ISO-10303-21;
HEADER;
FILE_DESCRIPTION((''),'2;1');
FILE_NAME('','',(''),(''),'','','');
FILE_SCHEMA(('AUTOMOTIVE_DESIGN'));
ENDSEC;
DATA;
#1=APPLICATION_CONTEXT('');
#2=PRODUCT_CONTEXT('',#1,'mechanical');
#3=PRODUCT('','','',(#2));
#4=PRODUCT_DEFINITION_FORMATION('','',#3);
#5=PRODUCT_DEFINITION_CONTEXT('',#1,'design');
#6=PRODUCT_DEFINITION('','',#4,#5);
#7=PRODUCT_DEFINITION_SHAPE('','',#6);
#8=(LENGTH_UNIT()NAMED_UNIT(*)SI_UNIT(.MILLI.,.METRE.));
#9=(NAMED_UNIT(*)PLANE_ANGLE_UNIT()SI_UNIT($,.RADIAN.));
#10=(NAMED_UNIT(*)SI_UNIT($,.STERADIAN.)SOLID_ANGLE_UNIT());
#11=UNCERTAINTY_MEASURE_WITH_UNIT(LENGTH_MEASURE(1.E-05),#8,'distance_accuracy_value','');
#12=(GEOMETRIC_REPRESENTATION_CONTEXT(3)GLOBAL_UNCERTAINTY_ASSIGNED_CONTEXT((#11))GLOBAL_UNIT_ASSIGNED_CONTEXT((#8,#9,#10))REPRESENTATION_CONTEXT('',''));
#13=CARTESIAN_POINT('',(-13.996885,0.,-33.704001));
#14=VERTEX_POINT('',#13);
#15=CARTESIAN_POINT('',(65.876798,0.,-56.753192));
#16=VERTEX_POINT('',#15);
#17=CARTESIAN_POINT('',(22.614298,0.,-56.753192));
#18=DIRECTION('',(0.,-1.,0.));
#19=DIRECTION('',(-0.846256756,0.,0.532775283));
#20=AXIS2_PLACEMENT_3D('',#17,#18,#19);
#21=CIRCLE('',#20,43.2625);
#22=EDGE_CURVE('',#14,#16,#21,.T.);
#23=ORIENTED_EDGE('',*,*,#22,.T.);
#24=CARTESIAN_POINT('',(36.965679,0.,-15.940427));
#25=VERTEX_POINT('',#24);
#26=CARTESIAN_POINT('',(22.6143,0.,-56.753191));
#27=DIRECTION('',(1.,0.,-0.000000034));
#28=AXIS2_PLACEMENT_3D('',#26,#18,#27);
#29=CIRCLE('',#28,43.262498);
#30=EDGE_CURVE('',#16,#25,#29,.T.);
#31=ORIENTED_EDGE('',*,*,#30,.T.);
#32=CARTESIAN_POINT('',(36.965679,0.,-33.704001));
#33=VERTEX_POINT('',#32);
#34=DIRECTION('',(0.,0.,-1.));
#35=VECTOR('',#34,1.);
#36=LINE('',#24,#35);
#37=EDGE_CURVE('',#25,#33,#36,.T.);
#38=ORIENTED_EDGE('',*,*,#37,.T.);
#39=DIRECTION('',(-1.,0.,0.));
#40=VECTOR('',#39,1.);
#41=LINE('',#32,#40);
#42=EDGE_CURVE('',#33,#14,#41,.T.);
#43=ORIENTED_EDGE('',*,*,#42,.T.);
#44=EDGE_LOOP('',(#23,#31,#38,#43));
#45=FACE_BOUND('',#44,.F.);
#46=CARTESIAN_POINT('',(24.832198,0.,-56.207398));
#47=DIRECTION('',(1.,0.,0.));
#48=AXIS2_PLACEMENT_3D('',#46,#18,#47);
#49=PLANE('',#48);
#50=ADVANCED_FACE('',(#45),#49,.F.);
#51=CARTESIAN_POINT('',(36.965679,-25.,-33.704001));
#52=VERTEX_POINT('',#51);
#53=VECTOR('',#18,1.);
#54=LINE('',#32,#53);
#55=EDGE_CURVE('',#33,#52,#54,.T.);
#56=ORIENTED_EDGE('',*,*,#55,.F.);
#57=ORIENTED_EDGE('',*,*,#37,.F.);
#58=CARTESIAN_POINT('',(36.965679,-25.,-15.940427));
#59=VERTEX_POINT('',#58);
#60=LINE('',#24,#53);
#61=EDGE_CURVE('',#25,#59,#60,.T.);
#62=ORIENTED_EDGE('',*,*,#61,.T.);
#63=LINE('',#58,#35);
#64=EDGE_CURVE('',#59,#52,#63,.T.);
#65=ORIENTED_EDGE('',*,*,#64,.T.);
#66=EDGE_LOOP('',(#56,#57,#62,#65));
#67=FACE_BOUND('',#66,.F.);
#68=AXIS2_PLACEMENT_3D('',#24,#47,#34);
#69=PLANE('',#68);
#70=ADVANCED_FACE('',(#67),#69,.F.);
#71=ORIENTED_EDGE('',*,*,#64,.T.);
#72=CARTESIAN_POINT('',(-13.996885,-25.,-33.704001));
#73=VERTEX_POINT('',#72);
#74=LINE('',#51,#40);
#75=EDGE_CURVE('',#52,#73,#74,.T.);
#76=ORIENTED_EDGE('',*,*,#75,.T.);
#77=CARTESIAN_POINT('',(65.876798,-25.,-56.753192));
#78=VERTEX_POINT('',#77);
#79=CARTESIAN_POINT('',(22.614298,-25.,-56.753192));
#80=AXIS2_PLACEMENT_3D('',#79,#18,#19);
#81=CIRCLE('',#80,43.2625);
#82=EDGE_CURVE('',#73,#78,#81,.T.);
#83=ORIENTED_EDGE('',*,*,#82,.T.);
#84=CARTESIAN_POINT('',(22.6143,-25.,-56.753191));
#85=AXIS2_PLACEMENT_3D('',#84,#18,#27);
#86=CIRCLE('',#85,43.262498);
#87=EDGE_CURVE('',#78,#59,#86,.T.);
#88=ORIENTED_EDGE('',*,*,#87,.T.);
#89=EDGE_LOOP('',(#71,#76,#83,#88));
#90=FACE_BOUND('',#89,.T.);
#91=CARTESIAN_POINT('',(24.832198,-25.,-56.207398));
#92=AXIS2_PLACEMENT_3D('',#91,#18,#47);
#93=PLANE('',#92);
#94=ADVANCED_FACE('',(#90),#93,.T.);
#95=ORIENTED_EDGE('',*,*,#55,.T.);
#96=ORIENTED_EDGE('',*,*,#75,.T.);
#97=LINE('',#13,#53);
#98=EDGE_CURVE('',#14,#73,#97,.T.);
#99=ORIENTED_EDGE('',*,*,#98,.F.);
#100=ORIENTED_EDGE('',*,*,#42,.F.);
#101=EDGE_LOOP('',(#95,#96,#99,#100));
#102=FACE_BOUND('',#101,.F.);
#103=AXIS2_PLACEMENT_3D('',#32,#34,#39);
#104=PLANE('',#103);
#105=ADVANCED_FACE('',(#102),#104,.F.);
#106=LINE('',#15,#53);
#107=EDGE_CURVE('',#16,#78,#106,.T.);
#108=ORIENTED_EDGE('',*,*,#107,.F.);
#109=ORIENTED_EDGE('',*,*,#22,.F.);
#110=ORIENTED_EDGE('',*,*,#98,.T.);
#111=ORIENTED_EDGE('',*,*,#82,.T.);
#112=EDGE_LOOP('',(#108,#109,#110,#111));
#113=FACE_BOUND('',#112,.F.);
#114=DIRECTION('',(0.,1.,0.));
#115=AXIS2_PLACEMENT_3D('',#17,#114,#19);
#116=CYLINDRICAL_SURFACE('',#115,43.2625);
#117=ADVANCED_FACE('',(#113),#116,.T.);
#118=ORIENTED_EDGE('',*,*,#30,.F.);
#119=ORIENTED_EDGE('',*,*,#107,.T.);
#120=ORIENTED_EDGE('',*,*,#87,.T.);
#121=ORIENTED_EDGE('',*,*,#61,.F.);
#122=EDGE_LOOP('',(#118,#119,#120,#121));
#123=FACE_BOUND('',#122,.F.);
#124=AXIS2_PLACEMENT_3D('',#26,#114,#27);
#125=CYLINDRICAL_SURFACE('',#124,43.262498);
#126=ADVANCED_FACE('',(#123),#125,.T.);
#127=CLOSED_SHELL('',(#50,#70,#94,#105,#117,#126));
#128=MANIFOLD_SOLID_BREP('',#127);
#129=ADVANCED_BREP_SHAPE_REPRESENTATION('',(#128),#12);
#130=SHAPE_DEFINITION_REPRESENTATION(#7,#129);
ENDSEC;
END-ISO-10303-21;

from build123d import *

# Parameters (mm, degrees)
F1_DEPTH = 25


with BuildPart() as f1:
    # F0 (on Front) → F1 (new body)
    with BuildSketch(Plane.XZ):
        with BuildLine():
            ThreePointArc((65.876798, -56.753192), (57.91671, -31.74552), (36.965679, -15.940427))
            Line((36.965679, -15.940427), (36.965679, -33.704001))
            Line((36.965679, -33.704001), (-13.996885, -33.704001))
            ThreePointArc((-13.996885, -33.704001), (10.619454, -98.319616), (65.876798, -56.753192))
        make_face()
    extrude(amount=F1_DEPTH)


solid = f1.part
